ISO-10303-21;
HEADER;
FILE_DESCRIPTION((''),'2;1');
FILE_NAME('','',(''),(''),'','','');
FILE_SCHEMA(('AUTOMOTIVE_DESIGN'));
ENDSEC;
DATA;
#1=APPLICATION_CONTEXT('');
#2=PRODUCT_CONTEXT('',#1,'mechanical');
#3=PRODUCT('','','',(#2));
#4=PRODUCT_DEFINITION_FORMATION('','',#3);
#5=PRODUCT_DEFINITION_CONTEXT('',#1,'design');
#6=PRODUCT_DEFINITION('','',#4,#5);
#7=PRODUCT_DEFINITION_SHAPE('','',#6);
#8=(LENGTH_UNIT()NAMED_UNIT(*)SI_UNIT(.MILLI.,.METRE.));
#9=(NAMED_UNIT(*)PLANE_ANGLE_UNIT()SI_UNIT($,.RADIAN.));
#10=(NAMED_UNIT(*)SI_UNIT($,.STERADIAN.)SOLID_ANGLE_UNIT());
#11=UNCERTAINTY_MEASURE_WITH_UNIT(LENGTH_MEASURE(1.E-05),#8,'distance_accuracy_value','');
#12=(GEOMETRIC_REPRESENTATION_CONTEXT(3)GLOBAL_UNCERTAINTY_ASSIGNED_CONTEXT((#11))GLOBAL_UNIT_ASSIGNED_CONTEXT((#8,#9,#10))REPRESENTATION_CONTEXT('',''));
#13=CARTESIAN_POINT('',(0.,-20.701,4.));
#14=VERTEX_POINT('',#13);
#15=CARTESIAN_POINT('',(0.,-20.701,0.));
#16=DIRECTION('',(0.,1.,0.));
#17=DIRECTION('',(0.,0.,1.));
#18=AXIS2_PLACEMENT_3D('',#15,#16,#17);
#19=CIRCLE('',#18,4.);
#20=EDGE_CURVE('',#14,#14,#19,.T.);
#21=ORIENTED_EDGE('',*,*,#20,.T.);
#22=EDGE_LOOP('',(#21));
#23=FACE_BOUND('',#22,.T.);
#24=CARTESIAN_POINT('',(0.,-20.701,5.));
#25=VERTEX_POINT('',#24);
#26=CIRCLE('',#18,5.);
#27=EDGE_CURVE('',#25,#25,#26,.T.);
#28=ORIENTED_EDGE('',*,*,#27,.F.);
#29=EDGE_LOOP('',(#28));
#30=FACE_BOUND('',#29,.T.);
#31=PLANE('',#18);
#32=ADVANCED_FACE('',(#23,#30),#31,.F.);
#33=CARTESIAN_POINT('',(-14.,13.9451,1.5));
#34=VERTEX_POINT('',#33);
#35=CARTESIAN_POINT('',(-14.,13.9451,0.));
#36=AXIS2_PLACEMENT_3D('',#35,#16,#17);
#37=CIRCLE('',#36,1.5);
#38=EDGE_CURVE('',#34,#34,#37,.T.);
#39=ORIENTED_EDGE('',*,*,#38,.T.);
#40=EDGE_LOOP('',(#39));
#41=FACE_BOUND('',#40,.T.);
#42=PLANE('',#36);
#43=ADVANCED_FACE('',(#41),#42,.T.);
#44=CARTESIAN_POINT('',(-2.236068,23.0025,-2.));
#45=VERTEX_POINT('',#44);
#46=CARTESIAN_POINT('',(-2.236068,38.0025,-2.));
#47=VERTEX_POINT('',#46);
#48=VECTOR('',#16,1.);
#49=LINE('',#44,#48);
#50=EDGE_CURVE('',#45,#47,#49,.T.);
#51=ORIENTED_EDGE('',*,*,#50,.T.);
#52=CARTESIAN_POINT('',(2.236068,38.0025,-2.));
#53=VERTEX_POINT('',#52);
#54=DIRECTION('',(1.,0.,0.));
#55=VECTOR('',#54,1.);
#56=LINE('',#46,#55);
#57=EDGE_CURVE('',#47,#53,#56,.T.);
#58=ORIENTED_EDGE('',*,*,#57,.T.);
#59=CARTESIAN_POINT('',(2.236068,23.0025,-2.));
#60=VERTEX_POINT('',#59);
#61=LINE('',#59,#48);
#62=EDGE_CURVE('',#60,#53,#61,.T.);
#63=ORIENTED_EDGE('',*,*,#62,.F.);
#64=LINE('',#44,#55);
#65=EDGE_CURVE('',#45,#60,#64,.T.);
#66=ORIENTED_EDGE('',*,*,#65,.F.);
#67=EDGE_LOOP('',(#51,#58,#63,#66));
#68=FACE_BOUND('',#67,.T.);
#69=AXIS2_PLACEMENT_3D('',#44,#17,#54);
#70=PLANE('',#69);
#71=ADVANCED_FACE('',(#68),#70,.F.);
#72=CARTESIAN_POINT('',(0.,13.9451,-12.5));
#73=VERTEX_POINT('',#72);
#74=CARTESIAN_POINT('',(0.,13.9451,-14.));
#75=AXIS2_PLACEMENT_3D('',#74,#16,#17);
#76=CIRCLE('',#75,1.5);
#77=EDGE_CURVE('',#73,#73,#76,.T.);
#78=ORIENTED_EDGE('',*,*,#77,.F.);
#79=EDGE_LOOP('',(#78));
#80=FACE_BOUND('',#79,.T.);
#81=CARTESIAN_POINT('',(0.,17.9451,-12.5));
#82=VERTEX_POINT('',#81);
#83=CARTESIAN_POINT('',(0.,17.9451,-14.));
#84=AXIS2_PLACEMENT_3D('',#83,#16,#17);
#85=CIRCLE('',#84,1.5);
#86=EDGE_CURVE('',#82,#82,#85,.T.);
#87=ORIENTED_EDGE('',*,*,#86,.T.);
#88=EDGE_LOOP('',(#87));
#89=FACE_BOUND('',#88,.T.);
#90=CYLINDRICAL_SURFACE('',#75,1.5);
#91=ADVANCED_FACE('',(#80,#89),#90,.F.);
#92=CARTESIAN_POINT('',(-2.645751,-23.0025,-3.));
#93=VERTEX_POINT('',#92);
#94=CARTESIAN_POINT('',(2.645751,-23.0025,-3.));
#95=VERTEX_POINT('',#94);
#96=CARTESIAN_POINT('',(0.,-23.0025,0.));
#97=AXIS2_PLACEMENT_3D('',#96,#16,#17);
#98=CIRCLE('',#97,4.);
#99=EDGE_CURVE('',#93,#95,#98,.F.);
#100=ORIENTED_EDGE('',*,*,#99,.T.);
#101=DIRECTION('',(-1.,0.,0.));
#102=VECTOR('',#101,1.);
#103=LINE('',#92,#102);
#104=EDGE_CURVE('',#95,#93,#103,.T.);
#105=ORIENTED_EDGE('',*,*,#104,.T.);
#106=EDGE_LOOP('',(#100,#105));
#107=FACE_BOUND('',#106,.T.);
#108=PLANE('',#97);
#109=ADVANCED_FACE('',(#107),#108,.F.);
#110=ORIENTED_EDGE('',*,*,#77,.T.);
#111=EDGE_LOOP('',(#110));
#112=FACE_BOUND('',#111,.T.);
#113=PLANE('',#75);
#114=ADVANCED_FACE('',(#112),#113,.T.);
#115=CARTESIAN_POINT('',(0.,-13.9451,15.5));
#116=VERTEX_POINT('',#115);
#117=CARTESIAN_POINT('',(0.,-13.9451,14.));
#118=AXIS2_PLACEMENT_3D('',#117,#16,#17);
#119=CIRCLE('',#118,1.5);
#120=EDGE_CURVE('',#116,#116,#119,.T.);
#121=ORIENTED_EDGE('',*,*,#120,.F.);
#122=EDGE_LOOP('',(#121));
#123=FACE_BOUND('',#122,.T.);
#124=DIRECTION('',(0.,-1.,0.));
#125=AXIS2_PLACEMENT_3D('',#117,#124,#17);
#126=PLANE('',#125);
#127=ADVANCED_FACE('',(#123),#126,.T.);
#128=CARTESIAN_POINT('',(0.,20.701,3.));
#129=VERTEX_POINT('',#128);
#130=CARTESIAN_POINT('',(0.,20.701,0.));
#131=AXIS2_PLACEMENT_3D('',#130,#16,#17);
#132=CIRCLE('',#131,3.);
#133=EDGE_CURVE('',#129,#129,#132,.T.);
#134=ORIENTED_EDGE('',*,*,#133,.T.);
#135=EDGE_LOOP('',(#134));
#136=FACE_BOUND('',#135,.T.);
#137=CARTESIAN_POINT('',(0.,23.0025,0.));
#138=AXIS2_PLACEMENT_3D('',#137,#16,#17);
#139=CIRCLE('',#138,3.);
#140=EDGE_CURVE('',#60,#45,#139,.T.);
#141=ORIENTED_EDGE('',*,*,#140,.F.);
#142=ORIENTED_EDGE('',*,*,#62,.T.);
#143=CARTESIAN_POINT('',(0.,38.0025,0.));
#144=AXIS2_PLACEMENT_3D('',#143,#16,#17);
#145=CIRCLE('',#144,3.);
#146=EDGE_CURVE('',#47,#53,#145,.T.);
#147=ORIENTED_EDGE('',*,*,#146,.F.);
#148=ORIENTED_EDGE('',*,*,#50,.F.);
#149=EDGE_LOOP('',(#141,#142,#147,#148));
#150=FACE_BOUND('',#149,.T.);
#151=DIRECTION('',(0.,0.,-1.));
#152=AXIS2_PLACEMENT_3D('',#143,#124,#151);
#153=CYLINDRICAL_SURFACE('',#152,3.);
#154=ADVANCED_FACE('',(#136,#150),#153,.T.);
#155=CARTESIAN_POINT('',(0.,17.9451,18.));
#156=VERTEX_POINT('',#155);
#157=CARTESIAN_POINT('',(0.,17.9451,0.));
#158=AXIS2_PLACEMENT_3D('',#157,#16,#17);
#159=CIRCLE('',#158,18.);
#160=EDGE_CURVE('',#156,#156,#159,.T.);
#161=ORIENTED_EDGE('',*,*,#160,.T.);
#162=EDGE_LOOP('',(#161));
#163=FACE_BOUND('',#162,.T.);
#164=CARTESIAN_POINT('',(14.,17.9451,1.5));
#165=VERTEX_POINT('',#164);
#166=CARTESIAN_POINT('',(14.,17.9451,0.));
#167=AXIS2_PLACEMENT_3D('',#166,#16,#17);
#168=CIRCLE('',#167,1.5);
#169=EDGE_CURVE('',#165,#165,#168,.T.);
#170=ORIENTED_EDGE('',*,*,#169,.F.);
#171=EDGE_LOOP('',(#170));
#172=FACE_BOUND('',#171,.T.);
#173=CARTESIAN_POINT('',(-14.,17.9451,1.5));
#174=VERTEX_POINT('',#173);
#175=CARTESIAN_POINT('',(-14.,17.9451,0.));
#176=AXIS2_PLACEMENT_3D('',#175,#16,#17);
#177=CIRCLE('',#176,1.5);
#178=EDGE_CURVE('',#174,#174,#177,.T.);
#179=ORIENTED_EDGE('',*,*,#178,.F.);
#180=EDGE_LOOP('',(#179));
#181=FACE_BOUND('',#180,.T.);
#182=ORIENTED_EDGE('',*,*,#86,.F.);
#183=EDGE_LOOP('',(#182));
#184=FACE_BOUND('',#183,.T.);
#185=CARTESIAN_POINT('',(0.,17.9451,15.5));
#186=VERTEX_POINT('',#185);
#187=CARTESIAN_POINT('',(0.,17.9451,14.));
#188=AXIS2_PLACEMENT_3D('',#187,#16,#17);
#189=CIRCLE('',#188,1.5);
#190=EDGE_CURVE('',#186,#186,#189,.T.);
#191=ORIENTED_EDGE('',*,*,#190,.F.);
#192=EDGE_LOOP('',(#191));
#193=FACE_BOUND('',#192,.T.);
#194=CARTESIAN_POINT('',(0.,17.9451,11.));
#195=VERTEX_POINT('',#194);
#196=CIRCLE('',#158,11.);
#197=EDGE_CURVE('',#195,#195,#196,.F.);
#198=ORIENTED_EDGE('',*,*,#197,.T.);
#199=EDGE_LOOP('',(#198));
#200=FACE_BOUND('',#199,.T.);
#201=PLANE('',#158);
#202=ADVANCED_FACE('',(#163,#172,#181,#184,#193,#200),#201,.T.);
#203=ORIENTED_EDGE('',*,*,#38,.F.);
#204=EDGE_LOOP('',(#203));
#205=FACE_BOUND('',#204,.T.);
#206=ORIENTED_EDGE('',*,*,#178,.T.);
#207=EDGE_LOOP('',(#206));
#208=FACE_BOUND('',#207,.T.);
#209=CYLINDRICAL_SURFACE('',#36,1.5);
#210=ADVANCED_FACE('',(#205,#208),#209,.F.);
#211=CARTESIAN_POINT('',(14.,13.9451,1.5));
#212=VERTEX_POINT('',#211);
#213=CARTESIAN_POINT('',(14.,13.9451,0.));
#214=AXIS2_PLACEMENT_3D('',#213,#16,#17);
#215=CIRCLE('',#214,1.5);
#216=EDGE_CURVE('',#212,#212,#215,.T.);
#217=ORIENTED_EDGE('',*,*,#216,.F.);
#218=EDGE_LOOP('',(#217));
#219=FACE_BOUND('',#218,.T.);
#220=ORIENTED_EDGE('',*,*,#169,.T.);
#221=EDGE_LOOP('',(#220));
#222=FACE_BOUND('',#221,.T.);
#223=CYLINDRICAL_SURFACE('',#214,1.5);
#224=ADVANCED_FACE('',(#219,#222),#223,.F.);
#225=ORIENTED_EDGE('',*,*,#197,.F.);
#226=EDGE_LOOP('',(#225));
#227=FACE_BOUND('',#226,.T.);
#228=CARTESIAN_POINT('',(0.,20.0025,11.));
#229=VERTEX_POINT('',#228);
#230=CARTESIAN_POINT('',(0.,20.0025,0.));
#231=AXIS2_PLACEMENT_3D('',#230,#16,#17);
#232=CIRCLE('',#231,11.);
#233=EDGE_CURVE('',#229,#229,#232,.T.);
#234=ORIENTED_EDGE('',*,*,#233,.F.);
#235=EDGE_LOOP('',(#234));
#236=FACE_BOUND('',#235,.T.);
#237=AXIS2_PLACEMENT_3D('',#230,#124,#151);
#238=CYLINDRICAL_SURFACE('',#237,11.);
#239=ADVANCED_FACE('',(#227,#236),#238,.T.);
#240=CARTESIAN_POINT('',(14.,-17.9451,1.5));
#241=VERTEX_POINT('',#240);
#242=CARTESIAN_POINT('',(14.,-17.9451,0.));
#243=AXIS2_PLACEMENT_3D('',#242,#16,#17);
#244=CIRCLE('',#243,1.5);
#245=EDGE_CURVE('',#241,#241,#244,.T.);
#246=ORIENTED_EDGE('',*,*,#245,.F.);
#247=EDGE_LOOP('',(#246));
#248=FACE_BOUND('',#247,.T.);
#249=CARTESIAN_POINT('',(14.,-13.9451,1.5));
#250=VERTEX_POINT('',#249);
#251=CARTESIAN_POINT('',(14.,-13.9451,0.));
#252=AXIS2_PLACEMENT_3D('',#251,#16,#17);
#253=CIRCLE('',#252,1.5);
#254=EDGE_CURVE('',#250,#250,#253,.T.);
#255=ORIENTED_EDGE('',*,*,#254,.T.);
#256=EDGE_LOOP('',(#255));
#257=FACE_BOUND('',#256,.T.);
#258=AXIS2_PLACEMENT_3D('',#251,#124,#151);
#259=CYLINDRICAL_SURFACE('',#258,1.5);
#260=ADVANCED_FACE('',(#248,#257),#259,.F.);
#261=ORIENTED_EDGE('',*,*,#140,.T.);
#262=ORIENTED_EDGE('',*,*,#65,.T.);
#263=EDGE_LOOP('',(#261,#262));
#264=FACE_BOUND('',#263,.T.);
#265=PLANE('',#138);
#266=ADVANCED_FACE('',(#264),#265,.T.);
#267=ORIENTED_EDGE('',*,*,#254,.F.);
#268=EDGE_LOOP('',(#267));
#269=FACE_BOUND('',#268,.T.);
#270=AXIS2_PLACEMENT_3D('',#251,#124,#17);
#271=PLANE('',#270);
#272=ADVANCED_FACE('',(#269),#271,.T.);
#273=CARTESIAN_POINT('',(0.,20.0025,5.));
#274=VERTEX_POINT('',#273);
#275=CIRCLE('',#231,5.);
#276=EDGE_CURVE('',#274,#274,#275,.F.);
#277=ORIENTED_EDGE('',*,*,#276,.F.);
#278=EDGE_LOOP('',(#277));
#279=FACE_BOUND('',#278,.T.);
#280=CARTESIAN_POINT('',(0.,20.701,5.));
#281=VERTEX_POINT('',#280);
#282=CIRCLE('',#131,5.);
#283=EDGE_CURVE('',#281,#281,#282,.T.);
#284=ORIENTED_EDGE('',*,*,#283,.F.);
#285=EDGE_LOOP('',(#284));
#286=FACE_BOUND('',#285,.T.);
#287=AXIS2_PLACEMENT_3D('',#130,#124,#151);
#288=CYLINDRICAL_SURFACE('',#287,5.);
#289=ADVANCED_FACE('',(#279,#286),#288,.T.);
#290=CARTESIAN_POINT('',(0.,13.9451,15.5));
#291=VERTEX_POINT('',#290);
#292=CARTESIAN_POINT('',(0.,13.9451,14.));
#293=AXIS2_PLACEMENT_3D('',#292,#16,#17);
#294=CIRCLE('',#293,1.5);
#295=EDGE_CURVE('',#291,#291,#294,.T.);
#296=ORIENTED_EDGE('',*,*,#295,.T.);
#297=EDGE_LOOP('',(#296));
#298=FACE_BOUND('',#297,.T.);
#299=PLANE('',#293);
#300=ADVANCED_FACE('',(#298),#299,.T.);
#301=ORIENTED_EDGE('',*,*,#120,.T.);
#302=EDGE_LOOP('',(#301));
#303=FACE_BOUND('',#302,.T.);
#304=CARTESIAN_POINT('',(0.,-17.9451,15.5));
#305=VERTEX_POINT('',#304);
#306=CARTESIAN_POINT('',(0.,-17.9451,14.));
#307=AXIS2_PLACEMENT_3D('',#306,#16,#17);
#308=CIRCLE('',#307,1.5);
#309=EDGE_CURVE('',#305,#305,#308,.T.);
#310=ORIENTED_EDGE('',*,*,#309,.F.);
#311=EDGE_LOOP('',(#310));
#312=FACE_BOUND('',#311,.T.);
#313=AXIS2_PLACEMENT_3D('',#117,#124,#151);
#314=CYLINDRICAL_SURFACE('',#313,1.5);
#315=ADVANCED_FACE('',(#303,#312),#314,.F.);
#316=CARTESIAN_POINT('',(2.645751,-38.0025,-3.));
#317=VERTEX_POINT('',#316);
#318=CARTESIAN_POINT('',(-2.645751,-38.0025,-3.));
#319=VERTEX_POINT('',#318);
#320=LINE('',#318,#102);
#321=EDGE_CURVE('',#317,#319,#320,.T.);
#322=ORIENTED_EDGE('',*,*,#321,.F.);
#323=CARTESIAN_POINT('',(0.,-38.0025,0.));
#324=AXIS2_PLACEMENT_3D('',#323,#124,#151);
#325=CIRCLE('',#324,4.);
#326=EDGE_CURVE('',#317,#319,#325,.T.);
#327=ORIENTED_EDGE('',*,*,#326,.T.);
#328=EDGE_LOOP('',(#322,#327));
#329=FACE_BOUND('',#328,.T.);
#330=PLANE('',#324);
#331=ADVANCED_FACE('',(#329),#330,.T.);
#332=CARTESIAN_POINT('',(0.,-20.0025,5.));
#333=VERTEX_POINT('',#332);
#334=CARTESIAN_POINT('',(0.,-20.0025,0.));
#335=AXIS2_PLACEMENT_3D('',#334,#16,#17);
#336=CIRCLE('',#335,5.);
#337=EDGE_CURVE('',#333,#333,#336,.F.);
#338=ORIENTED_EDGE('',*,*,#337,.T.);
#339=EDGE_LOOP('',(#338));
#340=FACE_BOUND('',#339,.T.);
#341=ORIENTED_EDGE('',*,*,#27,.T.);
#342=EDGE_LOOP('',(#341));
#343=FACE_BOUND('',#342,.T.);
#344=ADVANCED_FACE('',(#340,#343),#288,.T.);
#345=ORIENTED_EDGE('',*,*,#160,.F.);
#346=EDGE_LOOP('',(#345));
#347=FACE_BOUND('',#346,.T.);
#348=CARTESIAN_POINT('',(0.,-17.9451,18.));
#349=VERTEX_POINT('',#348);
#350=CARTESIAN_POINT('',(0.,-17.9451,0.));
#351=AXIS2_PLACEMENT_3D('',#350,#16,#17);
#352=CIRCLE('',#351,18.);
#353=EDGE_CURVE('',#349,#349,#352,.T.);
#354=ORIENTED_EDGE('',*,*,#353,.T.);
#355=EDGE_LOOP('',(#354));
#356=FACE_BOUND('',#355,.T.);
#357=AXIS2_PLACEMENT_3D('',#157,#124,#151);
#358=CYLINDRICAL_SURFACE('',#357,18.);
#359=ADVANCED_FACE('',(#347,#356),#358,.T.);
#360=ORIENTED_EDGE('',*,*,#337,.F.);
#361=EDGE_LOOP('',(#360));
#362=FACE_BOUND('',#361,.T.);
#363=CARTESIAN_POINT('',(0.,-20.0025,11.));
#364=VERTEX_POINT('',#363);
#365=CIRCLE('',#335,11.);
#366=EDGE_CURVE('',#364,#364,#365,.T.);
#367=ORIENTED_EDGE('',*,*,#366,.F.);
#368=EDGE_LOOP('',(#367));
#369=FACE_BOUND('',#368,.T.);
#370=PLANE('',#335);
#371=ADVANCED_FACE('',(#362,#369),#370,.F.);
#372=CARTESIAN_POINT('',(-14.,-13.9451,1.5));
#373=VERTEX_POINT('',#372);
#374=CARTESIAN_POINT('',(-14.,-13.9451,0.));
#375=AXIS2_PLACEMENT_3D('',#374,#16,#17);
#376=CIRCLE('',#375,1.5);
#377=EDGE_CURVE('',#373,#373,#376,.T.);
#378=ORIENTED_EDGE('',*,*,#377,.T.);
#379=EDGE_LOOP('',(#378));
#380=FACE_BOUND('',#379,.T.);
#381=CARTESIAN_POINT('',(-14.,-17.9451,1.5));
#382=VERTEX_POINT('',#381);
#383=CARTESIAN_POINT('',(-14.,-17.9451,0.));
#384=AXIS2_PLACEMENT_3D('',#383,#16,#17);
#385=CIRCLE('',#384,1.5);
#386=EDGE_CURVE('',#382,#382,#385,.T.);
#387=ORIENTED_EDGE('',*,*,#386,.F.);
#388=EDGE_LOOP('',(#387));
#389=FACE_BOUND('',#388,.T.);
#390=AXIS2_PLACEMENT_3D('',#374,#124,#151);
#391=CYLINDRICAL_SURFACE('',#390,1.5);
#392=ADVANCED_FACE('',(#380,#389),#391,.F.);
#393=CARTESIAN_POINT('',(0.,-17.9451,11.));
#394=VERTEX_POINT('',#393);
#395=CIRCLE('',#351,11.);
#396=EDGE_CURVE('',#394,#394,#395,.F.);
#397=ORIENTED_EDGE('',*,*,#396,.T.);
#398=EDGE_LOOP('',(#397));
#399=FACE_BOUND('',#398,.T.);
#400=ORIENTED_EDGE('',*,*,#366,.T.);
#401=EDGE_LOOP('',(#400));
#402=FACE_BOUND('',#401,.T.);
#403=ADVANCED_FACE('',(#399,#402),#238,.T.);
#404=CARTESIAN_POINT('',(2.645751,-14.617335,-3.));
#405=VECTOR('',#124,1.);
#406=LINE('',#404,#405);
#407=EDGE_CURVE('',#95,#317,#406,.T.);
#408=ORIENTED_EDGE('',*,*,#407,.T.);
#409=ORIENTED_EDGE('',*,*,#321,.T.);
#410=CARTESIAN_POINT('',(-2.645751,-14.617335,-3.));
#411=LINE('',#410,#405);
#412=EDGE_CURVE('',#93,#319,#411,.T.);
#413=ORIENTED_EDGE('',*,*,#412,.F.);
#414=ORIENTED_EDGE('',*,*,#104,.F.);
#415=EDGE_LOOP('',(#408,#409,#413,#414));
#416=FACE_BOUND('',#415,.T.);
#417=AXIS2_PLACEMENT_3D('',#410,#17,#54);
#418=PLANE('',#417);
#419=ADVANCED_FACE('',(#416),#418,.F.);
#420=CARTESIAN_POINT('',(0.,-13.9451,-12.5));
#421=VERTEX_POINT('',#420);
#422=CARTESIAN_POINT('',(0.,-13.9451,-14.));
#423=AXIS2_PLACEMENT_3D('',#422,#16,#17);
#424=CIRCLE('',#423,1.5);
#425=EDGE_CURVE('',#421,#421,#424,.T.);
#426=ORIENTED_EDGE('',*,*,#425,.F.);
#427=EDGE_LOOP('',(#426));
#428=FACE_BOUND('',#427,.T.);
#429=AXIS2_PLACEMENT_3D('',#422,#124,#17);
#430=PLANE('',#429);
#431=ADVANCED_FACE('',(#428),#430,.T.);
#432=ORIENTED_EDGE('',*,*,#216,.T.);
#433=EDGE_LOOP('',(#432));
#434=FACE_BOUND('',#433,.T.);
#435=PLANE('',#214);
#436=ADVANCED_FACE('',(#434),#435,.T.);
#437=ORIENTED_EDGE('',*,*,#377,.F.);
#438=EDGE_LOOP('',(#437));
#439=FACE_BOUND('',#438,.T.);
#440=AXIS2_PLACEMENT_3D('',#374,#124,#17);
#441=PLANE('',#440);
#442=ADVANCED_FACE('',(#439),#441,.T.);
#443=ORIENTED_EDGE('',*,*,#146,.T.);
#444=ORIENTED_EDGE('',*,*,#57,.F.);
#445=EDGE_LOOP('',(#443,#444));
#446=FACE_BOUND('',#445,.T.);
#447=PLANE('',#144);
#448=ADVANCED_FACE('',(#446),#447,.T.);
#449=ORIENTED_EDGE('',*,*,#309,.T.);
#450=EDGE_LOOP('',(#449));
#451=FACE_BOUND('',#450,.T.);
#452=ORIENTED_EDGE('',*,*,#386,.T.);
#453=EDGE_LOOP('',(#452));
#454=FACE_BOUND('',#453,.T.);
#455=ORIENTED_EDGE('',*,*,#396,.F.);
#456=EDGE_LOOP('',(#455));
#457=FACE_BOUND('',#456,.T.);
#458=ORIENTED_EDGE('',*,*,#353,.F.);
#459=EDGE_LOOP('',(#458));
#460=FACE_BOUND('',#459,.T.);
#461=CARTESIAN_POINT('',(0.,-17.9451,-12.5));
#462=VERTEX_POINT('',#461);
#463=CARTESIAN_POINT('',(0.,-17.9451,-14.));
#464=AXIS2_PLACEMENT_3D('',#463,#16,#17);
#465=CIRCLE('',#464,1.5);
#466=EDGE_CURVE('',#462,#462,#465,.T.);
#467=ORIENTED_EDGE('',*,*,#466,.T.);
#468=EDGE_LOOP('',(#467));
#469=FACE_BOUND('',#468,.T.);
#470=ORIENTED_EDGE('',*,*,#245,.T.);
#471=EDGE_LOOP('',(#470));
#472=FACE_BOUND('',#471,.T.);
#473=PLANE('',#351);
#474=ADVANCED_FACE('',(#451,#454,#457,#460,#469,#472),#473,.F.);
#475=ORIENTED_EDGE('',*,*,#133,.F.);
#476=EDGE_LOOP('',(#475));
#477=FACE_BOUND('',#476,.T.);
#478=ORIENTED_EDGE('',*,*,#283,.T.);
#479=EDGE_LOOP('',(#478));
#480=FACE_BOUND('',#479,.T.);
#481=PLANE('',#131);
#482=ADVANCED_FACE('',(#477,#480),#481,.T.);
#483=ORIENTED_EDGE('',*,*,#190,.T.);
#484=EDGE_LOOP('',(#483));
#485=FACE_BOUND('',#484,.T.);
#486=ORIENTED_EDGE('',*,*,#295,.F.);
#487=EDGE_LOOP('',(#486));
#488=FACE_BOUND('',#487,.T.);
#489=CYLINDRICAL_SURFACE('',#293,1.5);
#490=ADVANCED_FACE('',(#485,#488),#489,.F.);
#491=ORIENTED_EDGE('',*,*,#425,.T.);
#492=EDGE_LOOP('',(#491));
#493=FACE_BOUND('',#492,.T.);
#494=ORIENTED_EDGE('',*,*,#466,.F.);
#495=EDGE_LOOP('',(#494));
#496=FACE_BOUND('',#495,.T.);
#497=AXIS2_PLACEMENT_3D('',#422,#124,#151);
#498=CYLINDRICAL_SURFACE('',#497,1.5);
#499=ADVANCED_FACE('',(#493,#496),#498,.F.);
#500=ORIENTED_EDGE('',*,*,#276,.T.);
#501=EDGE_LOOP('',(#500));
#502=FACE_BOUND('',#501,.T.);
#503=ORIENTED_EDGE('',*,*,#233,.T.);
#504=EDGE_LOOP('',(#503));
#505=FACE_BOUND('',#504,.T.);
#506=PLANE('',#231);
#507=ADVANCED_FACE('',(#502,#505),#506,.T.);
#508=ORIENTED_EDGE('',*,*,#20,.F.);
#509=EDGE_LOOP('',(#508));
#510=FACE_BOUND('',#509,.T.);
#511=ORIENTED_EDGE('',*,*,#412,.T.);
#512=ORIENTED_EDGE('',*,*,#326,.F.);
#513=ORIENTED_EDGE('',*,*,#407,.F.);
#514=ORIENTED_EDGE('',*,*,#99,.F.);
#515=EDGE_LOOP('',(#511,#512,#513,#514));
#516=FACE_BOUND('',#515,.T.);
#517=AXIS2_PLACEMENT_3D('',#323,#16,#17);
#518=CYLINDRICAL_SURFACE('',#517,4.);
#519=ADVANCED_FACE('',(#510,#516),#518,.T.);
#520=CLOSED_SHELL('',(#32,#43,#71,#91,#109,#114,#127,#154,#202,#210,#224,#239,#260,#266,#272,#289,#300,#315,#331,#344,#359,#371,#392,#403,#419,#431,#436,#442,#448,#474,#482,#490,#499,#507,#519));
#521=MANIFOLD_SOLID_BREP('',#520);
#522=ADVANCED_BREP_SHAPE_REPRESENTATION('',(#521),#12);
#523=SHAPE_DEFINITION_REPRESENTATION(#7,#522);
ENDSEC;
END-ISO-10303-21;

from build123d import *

# Parameters (mm, degrees)
SKETCH1_R           = 18
BOSS_EXTRUDE1_DEPTH = 17.9451
BOSS_EXTRUDE2_START = -17.9451
SKETCH2_R           = 11
BOSS_EXTRUDE2_DEPTH = 20.0025
SKETCH3_R           = 3
BOSS_EXTRUDE4_DEPTH = 18
CUT_EXTRUDE1_DEPTH  = 15
SKETCH5_R           = 1.5
CUT_EXTRUDE2_DEPTH  = 4
SKETCH6_R           = 4
BOSS_EXTRUDE5_DEPTH = 18
CUT_EXTRUDE3_DEPTH  = 15
SKETCH9_R           = 5
BOSS_EXTRUDE6_DEPTH = 20.701


with BuildPart() as part:
    # Sketch1 → Boss-Extrude1 (new body, symmetric)
    with BuildSketch(Plane(origin=(0, 0, 0), x_dir=(1, 0, 0), z_dir=(0, 1, 0))):
        Circle(SKETCH1_R)
    extrude(amount=BOSS_EXTRUDE1_DEPTH, both=True)

    # Sketch2 → Boss-Extrude2 (add, symmetric)
    with BuildSketch(Plane(origin=(0, 17.9451, 0), x_dir=(1, 0, 0), z_dir=(0, 1, 0)).offset(BOSS_EXTRUDE2_START)):
        Circle(SKETCH2_R)
    extrude(amount=BOSS_EXTRUDE2_DEPTH, both=True)

    # Sketch3 → Boss-Extrude4 (add)
    with BuildSketch(Plane(origin=(0, 20.0025, 0), x_dir=(1, 0, 0), z_dir=(0, 1, 0))):
        Circle(SKETCH3_R)
    extrude(amount=BOSS_EXTRUDE4_DEPTH)

    # Sketch4 → Cut-Extrude1 (cut)
    with BuildSketch(Plane(origin=(0, 38.0025, 0), x_dir=(1, 0, 0), z_dir=(0, 1, 0))):
        with BuildLine():
            Line((-2.236067977, 2), (2.236067977, 2))
            ThreePointArc((2.236067977, 2), (0, 3), (-2.236067977, 2))
        make_face()
    cut_extrude1 = extrude(amount=-CUT_EXTRUDE1_DEPTH, mode=Mode.SUBTRACT)

    # Sketch5 → Cut-Extrude2 (cut)
    with BuildSketch(Plane(origin=(0, 17.9451, 0), x_dir=(1, 0, 0), z_dir=(0, 1, 0))):
        with Locations((0, 14)):
            Circle(SKETCH5_R)
        with Locations((-14, 0)):
            Circle(SKETCH5_R)
        with Locations((0, -14)):
            Circle(SKETCH5_R)
        with Locations((14, 0)):
            Circle(SKETCH5_R)
    cut_extrude2 = extrude(amount=-CUT_EXTRUDE2_DEPTH, mode=Mode.SUBTRACT)

    # Mirror1: Cut-Extrude1, Cut-Extrude2 across plane
    add(cut_extrude1.mirror(Plane.ZX), mode=Mode.SUBTRACT)
    add(cut_extrude2.mirror(Plane.ZX), mode=Mode.SUBTRACT)

    # Sketch6 → Boss-Extrude5 (add)
    with BuildSketch(Plane.XZ.offset(20.0025)):
        Circle(SKETCH6_R)
    extrude(amount=BOSS_EXTRUDE5_DEPTH)

    # Sketch7 → Cut-Extrude3 (cut)
    with BuildSketch(Plane.XZ.offset(38.0025)):
        with BuildLine():
            Line((-2.645751311, -3), (2.645751311, -3))
            ThreePointArc((2.645751311, -3), (0, -4), (-2.645751311, -3))
        make_face()
    extrude(amount=-CUT_EXTRUDE3_DEPTH, mode=Mode.SUBTRACT)

    # Sketch9 → Boss-Extrude6 (add, symmetric)
    with BuildSketch(Plane(origin=(0, 0, 0), x_dir=(1, 0, 0), z_dir=(0, 1, 0))):
        Circle(SKETCH9_R)
    extrude(amount=BOSS_EXTRUDE6_DEPTH, both=True)


solid = part.part
